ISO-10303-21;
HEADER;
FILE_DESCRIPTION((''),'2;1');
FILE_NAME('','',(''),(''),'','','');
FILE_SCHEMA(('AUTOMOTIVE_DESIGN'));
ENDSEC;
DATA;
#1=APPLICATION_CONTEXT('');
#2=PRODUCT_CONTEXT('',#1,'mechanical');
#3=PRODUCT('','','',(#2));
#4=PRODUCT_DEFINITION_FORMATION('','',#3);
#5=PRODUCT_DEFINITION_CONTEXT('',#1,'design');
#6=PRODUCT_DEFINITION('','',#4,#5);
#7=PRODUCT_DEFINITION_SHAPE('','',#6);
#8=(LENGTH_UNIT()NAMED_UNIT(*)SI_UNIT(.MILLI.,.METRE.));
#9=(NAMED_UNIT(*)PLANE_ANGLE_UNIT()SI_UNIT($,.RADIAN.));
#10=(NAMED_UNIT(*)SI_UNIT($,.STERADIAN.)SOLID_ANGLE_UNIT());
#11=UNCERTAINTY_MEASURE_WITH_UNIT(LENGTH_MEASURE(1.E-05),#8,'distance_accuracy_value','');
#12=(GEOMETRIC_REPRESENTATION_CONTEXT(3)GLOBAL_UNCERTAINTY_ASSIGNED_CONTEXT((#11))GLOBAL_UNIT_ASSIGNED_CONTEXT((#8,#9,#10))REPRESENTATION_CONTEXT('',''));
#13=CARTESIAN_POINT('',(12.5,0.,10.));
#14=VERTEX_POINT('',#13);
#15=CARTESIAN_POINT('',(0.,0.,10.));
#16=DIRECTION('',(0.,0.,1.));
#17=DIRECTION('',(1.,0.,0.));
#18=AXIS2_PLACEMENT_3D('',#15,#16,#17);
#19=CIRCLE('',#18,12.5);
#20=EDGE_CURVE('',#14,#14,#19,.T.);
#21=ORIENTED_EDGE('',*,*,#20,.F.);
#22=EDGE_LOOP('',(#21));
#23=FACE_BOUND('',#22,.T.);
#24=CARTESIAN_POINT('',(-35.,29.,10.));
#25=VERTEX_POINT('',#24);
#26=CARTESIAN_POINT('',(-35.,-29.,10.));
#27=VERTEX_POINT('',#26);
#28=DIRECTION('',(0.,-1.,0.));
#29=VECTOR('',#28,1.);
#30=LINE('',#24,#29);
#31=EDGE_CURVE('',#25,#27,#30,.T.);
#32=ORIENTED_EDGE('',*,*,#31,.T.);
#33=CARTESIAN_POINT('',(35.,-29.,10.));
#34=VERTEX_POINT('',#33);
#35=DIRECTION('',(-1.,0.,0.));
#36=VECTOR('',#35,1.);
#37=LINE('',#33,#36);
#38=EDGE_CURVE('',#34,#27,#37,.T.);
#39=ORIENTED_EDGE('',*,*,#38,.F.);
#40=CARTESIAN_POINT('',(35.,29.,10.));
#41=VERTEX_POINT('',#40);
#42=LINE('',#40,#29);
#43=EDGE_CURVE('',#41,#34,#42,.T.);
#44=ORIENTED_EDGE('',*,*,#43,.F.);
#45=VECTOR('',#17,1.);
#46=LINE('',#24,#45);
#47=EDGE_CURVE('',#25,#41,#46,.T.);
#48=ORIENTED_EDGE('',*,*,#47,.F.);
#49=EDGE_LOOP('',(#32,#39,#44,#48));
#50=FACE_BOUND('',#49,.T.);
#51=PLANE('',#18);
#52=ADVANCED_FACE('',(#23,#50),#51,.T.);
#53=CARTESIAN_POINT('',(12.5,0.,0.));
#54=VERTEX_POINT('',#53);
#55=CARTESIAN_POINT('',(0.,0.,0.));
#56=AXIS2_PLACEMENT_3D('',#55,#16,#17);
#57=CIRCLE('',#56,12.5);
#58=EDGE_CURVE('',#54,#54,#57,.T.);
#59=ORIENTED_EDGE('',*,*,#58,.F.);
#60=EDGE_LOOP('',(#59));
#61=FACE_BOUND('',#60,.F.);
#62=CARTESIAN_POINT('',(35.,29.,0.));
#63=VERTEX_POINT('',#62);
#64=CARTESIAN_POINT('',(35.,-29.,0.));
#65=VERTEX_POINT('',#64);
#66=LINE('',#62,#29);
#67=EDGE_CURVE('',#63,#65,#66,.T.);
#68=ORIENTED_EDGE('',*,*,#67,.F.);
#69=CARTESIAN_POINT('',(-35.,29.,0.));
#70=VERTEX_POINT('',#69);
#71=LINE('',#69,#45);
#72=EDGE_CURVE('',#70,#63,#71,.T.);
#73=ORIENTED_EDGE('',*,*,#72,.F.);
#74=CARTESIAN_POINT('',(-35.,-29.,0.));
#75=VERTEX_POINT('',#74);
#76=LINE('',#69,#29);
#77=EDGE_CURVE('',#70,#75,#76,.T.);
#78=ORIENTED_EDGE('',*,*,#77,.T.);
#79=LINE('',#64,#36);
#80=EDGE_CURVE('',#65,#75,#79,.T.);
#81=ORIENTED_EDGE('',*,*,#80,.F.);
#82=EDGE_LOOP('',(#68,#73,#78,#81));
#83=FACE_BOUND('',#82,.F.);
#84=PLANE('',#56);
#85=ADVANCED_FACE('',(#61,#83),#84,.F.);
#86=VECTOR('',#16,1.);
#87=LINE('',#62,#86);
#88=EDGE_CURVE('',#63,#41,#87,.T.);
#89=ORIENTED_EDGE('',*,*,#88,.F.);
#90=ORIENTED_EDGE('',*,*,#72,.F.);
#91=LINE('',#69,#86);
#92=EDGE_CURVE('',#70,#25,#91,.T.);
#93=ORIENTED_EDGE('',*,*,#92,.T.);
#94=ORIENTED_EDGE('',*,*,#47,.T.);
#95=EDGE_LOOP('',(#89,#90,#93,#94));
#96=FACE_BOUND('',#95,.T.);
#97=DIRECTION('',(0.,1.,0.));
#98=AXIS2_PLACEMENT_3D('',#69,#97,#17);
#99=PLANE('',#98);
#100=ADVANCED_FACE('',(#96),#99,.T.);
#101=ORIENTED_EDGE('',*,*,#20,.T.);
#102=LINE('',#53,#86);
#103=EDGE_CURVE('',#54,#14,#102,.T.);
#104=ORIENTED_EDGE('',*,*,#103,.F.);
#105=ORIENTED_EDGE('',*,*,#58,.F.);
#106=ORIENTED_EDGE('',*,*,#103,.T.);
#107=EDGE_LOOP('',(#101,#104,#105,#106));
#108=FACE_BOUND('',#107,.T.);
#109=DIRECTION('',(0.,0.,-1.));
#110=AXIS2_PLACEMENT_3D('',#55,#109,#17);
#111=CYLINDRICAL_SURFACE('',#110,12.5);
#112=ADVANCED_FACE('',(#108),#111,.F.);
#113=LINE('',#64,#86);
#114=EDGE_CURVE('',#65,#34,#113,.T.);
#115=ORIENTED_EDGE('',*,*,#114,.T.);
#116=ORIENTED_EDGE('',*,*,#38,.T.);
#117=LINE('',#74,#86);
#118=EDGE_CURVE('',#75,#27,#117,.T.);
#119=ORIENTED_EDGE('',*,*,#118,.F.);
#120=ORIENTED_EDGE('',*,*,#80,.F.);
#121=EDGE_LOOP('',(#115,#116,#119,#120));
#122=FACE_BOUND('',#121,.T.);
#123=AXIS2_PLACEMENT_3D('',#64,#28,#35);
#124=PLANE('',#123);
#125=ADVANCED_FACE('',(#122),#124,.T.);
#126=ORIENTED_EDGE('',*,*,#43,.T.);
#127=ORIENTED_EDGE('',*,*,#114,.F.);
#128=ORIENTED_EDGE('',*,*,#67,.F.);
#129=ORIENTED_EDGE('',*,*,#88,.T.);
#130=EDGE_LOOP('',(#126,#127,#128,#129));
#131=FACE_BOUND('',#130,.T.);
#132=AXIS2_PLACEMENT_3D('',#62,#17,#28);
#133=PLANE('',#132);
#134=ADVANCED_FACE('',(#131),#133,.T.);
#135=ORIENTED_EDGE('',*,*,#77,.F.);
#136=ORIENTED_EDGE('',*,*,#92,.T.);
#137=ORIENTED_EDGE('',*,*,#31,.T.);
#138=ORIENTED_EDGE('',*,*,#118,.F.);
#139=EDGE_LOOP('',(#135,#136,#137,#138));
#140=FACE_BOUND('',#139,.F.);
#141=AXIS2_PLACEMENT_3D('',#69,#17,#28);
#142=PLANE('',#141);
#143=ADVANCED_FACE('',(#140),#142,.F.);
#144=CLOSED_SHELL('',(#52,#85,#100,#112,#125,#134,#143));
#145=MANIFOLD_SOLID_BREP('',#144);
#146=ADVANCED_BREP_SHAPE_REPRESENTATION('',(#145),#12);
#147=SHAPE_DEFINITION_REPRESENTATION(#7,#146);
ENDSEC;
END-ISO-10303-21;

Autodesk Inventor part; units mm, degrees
ref_plane "YZ Plane" through (0, 0, 0) normal (1, 0, 0) x (0, 1, 0)
ref_plane "XZ Plane" through (0, 0, 0) normal (0, 1, 0) x (-1, 0, 0)
ref_plane "XY Plane" through (0, 0, 0) normal (0, 0, 1) x (1, 0, 0)
sketch "Szkic1" plane through (0, 0, 0) normal (0, 0, 1) x (1, 0, 0)
  circle A0 centre (0, 0) radius 12.5
  line L0 (-35, 29) -> (35, 29)
  line L1 (35, -29) -> (-35, -29)
  line L2 (-35, 29) -> (-35, -29)
  line L3 (35, 29) -> (35, -29)
  dimension "d0" = 25
extrude "Wyciągnięcie proste1" add sketch "Szkic1" along normal blind 10
properties part number "rama_1"
